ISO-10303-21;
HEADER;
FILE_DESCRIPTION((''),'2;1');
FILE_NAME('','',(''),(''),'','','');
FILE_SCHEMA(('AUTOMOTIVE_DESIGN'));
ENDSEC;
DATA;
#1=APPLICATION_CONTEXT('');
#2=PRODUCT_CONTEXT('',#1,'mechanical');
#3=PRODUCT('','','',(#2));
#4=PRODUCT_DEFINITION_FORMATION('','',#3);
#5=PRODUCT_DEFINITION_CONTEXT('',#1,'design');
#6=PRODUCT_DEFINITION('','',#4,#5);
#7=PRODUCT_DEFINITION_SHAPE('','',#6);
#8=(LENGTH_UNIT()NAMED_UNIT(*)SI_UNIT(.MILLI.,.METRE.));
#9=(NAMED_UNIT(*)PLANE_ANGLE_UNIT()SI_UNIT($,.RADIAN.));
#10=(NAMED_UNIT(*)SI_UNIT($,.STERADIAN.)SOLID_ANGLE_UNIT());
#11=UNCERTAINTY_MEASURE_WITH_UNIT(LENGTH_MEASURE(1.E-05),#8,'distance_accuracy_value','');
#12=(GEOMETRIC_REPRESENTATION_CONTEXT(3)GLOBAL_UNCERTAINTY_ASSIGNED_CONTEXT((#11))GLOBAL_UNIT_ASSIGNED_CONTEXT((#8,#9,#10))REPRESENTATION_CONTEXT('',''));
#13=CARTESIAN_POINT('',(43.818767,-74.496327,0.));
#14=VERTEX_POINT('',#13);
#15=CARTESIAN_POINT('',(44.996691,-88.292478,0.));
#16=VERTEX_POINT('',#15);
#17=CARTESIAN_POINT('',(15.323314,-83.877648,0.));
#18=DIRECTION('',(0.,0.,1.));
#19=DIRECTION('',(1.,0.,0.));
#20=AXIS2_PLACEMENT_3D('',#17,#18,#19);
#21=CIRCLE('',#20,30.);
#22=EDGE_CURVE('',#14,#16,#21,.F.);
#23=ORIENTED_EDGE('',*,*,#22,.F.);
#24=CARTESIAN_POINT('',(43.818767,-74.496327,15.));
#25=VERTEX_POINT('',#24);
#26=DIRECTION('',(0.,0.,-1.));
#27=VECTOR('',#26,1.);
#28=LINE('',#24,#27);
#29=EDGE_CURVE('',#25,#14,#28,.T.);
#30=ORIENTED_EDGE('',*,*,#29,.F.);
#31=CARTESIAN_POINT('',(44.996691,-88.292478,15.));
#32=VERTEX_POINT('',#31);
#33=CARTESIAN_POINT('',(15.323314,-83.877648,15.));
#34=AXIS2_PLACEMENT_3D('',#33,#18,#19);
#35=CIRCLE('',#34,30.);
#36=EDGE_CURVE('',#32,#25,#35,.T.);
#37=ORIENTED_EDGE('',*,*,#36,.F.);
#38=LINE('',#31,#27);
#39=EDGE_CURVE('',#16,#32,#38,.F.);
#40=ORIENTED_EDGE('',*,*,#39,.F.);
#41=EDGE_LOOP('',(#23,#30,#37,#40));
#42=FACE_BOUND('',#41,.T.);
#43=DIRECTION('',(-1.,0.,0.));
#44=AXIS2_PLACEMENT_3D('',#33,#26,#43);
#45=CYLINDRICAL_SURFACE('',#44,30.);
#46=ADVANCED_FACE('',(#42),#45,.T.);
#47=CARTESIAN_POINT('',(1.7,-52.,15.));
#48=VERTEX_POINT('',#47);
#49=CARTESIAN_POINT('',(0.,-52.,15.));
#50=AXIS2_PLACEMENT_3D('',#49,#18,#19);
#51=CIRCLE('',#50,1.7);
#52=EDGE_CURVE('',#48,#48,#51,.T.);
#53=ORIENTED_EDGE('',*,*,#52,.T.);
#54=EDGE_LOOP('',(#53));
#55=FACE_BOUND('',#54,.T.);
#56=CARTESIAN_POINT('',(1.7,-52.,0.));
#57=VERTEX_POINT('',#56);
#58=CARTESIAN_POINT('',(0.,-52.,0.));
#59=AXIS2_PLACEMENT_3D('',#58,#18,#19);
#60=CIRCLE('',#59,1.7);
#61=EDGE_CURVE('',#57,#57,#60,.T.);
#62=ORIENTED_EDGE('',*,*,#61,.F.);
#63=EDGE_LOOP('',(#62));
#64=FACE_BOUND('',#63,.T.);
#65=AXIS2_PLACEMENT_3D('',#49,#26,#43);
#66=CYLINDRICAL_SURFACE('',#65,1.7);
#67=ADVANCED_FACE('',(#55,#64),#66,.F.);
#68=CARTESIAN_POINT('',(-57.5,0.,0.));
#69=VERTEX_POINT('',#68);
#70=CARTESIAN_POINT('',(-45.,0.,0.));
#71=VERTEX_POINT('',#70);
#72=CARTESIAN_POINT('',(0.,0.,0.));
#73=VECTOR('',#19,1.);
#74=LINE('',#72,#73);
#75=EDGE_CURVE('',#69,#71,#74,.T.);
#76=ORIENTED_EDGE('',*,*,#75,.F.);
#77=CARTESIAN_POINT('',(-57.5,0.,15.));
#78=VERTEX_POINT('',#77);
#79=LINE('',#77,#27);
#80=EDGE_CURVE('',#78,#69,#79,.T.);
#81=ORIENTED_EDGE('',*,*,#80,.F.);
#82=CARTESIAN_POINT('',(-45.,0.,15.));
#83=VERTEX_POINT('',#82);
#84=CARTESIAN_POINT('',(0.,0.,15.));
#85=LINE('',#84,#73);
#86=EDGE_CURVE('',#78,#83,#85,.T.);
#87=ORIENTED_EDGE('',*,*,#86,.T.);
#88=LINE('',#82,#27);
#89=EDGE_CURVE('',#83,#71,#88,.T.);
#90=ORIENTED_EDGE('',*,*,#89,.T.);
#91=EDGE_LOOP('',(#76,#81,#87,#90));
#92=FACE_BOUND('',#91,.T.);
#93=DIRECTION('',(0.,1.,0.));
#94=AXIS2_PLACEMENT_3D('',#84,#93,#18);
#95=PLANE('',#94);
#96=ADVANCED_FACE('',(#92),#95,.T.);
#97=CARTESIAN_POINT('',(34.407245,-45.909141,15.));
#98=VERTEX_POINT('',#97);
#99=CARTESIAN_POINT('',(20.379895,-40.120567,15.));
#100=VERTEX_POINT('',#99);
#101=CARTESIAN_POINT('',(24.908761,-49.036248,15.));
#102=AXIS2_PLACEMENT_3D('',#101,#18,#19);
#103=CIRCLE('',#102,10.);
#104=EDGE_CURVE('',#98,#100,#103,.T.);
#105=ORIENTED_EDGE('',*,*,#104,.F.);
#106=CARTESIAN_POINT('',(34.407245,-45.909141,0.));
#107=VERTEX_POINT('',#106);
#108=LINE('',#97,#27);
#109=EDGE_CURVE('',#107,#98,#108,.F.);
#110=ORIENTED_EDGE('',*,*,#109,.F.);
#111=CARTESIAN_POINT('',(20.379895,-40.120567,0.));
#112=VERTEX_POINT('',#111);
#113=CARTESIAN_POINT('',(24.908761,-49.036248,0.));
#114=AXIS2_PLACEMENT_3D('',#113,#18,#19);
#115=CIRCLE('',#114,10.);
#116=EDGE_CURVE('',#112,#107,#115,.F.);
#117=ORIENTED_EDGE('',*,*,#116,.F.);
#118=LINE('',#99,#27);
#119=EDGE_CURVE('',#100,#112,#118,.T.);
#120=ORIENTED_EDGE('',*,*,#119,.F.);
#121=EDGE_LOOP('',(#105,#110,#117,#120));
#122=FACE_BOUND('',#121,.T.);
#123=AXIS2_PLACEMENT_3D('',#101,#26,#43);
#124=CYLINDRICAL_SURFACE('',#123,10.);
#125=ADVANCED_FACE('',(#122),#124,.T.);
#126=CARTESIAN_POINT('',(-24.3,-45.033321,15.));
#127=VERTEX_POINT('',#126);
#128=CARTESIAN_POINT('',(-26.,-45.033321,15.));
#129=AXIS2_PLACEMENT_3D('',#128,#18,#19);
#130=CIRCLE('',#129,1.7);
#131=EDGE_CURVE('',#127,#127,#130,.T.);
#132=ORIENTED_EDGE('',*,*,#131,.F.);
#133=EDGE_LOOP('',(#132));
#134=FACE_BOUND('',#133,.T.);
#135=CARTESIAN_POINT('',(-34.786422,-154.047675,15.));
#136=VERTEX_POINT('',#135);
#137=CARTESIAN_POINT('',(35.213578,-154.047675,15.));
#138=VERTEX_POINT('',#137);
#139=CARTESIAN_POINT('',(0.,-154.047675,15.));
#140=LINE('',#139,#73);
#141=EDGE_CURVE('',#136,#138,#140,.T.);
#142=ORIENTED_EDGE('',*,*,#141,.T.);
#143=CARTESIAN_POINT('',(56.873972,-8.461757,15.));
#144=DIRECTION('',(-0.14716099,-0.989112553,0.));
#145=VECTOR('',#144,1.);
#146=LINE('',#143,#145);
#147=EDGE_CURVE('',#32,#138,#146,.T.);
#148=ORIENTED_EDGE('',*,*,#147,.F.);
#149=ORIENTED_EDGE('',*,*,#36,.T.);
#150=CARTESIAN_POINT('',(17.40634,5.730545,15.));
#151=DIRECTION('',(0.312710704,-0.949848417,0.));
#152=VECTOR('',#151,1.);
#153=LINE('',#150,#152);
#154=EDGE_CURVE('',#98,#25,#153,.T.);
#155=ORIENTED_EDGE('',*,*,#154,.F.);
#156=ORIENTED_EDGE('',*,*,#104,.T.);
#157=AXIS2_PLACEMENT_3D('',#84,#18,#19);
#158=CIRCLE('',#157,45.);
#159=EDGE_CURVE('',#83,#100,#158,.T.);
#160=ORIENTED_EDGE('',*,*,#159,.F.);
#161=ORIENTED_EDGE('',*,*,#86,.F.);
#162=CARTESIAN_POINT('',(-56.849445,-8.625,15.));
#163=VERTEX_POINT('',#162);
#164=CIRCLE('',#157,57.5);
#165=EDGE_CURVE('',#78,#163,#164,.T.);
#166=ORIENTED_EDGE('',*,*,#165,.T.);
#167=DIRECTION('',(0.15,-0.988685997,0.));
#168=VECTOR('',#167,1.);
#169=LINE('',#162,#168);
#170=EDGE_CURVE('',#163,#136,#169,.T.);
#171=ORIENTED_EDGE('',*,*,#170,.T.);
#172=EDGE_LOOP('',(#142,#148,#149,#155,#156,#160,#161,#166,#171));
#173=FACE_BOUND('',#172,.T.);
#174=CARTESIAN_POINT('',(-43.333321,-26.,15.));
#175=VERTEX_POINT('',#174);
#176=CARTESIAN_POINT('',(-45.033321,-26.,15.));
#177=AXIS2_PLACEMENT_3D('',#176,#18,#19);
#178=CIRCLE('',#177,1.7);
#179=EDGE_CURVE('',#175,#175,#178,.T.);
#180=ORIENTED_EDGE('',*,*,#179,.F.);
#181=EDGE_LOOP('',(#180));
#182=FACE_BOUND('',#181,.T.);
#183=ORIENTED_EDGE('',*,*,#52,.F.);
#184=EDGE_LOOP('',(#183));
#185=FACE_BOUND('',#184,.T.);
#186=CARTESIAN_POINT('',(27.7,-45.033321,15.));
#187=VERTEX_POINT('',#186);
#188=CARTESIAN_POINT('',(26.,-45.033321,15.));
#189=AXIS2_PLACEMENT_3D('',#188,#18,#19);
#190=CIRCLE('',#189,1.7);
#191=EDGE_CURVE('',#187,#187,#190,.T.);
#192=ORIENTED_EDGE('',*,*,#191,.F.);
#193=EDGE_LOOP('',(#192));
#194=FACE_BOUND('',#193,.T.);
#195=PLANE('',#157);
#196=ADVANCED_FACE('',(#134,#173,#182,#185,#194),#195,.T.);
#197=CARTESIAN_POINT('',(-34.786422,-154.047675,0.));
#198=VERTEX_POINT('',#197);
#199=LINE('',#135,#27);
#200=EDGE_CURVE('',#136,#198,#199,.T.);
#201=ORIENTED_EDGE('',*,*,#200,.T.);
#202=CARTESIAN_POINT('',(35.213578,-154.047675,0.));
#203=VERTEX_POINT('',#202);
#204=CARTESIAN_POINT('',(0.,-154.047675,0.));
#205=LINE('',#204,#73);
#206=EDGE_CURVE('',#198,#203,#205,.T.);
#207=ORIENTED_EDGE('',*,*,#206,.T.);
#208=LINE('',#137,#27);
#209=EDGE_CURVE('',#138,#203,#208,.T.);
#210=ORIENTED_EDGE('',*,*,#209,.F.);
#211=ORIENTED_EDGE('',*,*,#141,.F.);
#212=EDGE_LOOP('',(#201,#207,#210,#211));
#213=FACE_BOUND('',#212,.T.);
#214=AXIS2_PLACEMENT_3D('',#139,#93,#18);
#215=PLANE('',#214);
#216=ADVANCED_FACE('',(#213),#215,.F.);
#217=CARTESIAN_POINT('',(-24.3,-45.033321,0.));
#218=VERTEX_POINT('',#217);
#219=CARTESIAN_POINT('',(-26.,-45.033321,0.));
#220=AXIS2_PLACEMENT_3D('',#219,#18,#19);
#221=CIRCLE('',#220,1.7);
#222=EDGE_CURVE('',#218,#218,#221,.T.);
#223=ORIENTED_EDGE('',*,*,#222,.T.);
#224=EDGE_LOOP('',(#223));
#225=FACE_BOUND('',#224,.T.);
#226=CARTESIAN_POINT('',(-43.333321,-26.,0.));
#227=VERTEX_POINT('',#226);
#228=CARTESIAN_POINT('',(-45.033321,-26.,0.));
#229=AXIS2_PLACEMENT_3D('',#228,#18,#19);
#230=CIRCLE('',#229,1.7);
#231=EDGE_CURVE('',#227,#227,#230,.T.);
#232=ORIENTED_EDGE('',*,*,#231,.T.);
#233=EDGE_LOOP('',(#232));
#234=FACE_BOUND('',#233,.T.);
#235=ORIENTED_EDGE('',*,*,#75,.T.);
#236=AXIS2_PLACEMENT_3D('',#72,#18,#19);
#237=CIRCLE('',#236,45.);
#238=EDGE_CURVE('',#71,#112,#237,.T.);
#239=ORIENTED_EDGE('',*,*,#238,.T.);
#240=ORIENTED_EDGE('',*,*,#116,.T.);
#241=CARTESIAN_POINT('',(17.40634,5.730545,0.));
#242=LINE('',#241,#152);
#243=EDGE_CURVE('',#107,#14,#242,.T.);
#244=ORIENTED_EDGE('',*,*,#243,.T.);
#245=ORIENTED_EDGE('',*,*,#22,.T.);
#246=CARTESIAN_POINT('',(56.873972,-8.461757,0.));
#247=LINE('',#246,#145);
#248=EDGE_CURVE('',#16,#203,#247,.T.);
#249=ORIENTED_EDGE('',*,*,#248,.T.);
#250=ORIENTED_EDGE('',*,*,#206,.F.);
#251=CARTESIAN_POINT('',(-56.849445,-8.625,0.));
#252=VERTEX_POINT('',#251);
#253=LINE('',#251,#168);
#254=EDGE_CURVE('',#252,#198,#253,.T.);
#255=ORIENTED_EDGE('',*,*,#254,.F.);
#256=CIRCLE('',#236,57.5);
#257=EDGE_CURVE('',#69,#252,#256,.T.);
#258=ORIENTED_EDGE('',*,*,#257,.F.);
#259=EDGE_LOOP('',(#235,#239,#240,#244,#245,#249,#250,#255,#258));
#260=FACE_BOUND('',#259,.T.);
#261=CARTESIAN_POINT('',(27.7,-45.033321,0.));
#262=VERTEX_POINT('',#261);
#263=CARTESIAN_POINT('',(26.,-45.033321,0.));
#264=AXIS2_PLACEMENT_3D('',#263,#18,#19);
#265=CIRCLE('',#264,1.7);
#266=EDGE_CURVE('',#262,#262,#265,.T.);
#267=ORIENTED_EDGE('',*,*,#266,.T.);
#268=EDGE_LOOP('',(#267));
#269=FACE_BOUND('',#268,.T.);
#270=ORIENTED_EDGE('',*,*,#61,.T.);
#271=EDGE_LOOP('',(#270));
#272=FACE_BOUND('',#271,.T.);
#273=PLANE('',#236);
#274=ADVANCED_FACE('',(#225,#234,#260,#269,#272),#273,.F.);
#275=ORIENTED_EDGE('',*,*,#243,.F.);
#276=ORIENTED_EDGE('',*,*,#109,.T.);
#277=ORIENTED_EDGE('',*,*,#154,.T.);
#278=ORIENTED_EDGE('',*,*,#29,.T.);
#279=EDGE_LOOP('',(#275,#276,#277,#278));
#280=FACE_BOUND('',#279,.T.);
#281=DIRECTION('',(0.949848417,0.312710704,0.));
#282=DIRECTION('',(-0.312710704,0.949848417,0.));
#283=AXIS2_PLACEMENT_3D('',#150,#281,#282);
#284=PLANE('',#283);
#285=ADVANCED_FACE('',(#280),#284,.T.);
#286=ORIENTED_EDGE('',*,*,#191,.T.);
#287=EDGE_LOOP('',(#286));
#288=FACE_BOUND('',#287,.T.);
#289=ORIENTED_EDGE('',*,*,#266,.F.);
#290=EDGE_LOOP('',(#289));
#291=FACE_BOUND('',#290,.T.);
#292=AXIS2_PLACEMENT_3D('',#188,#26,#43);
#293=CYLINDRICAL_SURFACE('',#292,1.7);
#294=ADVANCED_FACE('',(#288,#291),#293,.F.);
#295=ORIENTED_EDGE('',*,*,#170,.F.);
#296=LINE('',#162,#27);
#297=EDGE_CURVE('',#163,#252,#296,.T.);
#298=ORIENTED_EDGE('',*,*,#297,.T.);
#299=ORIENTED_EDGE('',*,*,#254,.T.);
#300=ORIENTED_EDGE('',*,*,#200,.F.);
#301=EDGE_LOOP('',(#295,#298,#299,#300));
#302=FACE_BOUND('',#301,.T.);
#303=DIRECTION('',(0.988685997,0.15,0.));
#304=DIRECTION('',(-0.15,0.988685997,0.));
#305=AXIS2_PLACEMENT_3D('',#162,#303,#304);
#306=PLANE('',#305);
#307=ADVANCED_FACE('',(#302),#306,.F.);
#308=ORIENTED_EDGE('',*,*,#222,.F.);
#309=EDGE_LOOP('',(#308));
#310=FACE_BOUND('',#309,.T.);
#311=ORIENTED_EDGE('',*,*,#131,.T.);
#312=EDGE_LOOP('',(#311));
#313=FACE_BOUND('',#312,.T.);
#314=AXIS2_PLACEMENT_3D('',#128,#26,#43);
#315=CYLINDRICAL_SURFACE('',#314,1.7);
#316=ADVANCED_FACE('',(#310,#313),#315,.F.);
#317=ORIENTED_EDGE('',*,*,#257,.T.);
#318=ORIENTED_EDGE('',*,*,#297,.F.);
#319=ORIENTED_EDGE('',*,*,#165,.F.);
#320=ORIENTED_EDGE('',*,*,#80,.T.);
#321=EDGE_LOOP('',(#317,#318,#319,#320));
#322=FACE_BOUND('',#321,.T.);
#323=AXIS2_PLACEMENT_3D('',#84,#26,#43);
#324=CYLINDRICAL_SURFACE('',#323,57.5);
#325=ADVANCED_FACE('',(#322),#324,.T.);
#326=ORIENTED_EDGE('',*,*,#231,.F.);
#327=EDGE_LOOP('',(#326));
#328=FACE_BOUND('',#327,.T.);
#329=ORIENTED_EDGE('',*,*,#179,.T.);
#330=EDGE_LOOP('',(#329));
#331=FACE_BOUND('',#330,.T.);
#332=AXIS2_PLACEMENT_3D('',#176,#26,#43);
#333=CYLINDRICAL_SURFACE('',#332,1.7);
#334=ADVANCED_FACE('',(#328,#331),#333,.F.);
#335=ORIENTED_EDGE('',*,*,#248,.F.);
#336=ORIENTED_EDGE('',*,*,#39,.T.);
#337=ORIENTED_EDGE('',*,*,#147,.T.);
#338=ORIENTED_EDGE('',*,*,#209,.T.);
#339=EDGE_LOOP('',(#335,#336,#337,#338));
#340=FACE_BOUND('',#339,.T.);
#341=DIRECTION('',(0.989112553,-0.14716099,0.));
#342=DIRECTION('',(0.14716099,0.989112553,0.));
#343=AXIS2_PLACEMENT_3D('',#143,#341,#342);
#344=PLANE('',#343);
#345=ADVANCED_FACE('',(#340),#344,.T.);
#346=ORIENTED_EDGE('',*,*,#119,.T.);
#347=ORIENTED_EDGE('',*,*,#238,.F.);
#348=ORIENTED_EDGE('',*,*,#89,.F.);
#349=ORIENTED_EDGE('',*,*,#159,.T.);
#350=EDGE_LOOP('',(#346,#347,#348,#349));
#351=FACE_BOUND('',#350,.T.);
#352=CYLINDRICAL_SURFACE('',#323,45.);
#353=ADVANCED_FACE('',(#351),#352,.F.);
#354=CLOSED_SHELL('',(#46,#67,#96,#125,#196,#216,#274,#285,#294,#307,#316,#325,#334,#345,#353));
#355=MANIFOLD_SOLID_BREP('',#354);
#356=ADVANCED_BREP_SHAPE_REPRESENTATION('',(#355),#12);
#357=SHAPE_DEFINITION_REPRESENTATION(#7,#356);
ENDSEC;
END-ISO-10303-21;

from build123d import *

# Parameters (mm, degrees)
SKETCH1_R           = 1.7
BOSS_EXTRUDE1_DEPTH = 15
FILLET1_R           = 10
FILLET2_R           = 30


with BuildPart() as part:
    # Sketch1 → Boss-Extrude1 (new body)
    with BuildSketch(Plane.XY):
        with BuildLine():
            Line((-57.5, 0), (-45, 0))
            ThreePointArc((-45, 0), (-18.212102581, -41.149961356), (30.258636425, -33.307880775))
            Line((30.258636425, -33.307880775), (46.0437747, -81.254716073))
            Line((46.0437747, -81.254716073), (35.213577586, -154.047675233))
            Line((35.213577586, -154.047675233), (-34.786422414, -154.047675233))
            Line((-34.786422414, -154.047675233), (-56.849444808, -8.625))
            ThreePointArc((-56.849444808, -8.625), (-57.337130537, -4.324749908), (-57.5, 0))
        make_face()
        with Locations((0, -52)):
            Circle(SKETCH1_R, mode=Mode.SUBTRACT)
        with Locations((-26, -45.033320997)):
            Circle(SKETCH1_R, mode=Mode.SUBTRACT)
        with Locations((-45.033320997, -26)):
            Circle(SKETCH1_R, mode=Mode.SUBTRACT)
        with Locations((26, -45.033320997)):
            Circle(SKETCH1_R, mode=Mode.SUBTRACT)
    extrude(amount=BOSS_EXTRUDE1_DEPTH)

    # Fillet1
    fillet1_edges = [part.edges().sort_by_distance(p)[0] for p in [
        (30.258636425, -33.307880775, 7.5),
    ]]
    fillet(fillet1_edges, radius=FILLET1_R)

    # Fillet2
    fillet2_edges = [part.edges().sort_by_distance(p)[0] for p in [
        (46.0437747, -81.254716073, 7.5),
    ]]
    fillet(fillet2_edges, radius=FILLET2_R)


solid = part.part
